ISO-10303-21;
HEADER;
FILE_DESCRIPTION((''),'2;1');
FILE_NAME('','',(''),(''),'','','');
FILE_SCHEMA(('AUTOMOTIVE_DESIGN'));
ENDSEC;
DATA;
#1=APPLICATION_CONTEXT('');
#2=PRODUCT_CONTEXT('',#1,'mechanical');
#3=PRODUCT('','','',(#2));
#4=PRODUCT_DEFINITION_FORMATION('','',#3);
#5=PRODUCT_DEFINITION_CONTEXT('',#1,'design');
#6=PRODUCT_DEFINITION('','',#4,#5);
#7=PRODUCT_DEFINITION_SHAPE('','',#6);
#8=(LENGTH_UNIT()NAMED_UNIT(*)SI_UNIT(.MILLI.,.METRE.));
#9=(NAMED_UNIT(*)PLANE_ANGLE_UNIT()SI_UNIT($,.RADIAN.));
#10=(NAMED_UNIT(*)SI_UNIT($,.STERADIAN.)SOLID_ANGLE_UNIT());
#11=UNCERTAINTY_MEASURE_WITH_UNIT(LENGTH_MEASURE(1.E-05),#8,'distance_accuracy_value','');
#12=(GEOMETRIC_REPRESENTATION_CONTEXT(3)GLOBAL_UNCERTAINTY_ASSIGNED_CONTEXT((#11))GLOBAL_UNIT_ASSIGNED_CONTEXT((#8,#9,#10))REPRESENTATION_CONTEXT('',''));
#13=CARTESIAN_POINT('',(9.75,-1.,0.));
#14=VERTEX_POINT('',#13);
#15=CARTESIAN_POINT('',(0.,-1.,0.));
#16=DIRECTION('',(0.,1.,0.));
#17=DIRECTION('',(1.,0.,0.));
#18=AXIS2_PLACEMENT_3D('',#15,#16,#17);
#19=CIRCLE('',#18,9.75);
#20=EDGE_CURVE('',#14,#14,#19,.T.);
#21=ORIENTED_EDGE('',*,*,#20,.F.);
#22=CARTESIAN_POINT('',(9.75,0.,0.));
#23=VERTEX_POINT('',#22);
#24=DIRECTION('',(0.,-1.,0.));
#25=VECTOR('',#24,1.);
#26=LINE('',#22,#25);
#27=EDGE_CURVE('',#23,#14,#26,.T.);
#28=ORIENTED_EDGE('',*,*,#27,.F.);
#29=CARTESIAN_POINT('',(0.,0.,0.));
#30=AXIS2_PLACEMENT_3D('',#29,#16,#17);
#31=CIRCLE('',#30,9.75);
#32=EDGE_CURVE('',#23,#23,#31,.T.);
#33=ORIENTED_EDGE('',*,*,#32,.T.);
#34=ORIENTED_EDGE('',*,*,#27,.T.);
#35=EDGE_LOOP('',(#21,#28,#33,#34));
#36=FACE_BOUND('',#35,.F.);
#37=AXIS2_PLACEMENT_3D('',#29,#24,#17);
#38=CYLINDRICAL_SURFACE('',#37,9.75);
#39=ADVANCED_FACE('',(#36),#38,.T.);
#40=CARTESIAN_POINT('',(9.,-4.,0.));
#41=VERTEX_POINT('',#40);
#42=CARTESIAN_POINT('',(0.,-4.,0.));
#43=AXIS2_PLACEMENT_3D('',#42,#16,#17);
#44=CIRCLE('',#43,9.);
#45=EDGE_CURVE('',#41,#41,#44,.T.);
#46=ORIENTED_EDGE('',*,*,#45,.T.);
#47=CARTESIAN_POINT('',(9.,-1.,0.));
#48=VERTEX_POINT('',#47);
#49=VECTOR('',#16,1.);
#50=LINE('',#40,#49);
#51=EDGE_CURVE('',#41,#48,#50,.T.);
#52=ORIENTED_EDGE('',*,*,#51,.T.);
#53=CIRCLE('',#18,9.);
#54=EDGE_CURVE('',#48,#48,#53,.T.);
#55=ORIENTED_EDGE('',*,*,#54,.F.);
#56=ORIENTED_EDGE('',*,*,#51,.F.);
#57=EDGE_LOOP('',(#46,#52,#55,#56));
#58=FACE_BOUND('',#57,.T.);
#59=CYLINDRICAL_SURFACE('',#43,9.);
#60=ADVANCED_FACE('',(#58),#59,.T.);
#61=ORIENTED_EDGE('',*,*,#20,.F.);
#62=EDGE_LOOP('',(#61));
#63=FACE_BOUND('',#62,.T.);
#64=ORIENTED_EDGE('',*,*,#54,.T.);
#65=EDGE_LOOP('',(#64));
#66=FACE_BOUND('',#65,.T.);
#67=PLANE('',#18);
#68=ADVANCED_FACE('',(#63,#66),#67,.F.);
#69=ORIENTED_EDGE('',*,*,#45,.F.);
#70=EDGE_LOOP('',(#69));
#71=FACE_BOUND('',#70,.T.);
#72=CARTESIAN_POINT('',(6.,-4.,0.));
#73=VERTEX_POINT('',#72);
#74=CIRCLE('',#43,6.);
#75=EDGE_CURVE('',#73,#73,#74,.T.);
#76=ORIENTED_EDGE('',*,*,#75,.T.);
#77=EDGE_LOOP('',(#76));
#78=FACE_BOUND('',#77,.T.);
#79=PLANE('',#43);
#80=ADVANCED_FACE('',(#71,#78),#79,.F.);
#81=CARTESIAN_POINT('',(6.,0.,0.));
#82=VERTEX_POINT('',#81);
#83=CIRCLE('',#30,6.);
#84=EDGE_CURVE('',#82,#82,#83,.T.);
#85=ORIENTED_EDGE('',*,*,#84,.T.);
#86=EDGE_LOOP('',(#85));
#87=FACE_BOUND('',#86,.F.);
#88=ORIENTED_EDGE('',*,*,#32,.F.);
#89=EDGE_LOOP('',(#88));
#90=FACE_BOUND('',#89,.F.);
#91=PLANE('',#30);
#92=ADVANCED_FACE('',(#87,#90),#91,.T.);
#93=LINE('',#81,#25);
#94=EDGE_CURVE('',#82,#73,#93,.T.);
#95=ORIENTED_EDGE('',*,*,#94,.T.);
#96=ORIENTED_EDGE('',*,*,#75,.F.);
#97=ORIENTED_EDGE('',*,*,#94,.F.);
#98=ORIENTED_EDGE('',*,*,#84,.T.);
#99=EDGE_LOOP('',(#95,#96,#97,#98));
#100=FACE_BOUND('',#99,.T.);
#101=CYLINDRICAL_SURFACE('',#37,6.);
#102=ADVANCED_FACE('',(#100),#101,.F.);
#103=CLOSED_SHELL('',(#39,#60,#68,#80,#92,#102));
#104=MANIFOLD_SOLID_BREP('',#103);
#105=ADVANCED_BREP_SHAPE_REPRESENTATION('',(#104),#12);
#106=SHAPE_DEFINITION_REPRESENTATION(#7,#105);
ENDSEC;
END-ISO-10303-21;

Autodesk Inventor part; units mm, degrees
ref_plane "YZ Plane" through (0, 0, 0) normal (1, 0, 0) x (0, 1, 0)
ref_plane "XZ Plane" through (0, 0, 0) normal (0, 1, 0) x (-1, 0, 0)
ref_plane "XY Plane" through (0, 0, 0) normal (0, 0, 1) x (1, 0, 0)
sketch "スケッチ1" plane through (0, 0, 0) normal (0, 0, 1) x (1, 0, 0)
  line L0 (6, 0) -> (9.75, 0)
  line L1 (9.75, 0) -> (9.75, -1)
  line L2 (6, 0) -> (6, -4)
  line L3 (6, -4) -> (9, -4)
  line L4 (9, -4) -> (9, -1)
  line L5 (9, -1) -> (9.75, -1)
  line L6 (0, -4.8) -> (0, 0.8) projected
  point P0 (0, 0)
  dimension "d0" = 6
  dimension "d1" = 3.75
  dimension "d2" = 1
  dimension "d3" = 4
  dimension "d4" = 3
  dimension "d5" = 3
revolve "回転1" add sketch "スケッチ1" angle 360 about axis through (0, -10, 0) along (0, 1, 0)
properties part number "bear_f12_sa_2" material "ステンレス鋼"
